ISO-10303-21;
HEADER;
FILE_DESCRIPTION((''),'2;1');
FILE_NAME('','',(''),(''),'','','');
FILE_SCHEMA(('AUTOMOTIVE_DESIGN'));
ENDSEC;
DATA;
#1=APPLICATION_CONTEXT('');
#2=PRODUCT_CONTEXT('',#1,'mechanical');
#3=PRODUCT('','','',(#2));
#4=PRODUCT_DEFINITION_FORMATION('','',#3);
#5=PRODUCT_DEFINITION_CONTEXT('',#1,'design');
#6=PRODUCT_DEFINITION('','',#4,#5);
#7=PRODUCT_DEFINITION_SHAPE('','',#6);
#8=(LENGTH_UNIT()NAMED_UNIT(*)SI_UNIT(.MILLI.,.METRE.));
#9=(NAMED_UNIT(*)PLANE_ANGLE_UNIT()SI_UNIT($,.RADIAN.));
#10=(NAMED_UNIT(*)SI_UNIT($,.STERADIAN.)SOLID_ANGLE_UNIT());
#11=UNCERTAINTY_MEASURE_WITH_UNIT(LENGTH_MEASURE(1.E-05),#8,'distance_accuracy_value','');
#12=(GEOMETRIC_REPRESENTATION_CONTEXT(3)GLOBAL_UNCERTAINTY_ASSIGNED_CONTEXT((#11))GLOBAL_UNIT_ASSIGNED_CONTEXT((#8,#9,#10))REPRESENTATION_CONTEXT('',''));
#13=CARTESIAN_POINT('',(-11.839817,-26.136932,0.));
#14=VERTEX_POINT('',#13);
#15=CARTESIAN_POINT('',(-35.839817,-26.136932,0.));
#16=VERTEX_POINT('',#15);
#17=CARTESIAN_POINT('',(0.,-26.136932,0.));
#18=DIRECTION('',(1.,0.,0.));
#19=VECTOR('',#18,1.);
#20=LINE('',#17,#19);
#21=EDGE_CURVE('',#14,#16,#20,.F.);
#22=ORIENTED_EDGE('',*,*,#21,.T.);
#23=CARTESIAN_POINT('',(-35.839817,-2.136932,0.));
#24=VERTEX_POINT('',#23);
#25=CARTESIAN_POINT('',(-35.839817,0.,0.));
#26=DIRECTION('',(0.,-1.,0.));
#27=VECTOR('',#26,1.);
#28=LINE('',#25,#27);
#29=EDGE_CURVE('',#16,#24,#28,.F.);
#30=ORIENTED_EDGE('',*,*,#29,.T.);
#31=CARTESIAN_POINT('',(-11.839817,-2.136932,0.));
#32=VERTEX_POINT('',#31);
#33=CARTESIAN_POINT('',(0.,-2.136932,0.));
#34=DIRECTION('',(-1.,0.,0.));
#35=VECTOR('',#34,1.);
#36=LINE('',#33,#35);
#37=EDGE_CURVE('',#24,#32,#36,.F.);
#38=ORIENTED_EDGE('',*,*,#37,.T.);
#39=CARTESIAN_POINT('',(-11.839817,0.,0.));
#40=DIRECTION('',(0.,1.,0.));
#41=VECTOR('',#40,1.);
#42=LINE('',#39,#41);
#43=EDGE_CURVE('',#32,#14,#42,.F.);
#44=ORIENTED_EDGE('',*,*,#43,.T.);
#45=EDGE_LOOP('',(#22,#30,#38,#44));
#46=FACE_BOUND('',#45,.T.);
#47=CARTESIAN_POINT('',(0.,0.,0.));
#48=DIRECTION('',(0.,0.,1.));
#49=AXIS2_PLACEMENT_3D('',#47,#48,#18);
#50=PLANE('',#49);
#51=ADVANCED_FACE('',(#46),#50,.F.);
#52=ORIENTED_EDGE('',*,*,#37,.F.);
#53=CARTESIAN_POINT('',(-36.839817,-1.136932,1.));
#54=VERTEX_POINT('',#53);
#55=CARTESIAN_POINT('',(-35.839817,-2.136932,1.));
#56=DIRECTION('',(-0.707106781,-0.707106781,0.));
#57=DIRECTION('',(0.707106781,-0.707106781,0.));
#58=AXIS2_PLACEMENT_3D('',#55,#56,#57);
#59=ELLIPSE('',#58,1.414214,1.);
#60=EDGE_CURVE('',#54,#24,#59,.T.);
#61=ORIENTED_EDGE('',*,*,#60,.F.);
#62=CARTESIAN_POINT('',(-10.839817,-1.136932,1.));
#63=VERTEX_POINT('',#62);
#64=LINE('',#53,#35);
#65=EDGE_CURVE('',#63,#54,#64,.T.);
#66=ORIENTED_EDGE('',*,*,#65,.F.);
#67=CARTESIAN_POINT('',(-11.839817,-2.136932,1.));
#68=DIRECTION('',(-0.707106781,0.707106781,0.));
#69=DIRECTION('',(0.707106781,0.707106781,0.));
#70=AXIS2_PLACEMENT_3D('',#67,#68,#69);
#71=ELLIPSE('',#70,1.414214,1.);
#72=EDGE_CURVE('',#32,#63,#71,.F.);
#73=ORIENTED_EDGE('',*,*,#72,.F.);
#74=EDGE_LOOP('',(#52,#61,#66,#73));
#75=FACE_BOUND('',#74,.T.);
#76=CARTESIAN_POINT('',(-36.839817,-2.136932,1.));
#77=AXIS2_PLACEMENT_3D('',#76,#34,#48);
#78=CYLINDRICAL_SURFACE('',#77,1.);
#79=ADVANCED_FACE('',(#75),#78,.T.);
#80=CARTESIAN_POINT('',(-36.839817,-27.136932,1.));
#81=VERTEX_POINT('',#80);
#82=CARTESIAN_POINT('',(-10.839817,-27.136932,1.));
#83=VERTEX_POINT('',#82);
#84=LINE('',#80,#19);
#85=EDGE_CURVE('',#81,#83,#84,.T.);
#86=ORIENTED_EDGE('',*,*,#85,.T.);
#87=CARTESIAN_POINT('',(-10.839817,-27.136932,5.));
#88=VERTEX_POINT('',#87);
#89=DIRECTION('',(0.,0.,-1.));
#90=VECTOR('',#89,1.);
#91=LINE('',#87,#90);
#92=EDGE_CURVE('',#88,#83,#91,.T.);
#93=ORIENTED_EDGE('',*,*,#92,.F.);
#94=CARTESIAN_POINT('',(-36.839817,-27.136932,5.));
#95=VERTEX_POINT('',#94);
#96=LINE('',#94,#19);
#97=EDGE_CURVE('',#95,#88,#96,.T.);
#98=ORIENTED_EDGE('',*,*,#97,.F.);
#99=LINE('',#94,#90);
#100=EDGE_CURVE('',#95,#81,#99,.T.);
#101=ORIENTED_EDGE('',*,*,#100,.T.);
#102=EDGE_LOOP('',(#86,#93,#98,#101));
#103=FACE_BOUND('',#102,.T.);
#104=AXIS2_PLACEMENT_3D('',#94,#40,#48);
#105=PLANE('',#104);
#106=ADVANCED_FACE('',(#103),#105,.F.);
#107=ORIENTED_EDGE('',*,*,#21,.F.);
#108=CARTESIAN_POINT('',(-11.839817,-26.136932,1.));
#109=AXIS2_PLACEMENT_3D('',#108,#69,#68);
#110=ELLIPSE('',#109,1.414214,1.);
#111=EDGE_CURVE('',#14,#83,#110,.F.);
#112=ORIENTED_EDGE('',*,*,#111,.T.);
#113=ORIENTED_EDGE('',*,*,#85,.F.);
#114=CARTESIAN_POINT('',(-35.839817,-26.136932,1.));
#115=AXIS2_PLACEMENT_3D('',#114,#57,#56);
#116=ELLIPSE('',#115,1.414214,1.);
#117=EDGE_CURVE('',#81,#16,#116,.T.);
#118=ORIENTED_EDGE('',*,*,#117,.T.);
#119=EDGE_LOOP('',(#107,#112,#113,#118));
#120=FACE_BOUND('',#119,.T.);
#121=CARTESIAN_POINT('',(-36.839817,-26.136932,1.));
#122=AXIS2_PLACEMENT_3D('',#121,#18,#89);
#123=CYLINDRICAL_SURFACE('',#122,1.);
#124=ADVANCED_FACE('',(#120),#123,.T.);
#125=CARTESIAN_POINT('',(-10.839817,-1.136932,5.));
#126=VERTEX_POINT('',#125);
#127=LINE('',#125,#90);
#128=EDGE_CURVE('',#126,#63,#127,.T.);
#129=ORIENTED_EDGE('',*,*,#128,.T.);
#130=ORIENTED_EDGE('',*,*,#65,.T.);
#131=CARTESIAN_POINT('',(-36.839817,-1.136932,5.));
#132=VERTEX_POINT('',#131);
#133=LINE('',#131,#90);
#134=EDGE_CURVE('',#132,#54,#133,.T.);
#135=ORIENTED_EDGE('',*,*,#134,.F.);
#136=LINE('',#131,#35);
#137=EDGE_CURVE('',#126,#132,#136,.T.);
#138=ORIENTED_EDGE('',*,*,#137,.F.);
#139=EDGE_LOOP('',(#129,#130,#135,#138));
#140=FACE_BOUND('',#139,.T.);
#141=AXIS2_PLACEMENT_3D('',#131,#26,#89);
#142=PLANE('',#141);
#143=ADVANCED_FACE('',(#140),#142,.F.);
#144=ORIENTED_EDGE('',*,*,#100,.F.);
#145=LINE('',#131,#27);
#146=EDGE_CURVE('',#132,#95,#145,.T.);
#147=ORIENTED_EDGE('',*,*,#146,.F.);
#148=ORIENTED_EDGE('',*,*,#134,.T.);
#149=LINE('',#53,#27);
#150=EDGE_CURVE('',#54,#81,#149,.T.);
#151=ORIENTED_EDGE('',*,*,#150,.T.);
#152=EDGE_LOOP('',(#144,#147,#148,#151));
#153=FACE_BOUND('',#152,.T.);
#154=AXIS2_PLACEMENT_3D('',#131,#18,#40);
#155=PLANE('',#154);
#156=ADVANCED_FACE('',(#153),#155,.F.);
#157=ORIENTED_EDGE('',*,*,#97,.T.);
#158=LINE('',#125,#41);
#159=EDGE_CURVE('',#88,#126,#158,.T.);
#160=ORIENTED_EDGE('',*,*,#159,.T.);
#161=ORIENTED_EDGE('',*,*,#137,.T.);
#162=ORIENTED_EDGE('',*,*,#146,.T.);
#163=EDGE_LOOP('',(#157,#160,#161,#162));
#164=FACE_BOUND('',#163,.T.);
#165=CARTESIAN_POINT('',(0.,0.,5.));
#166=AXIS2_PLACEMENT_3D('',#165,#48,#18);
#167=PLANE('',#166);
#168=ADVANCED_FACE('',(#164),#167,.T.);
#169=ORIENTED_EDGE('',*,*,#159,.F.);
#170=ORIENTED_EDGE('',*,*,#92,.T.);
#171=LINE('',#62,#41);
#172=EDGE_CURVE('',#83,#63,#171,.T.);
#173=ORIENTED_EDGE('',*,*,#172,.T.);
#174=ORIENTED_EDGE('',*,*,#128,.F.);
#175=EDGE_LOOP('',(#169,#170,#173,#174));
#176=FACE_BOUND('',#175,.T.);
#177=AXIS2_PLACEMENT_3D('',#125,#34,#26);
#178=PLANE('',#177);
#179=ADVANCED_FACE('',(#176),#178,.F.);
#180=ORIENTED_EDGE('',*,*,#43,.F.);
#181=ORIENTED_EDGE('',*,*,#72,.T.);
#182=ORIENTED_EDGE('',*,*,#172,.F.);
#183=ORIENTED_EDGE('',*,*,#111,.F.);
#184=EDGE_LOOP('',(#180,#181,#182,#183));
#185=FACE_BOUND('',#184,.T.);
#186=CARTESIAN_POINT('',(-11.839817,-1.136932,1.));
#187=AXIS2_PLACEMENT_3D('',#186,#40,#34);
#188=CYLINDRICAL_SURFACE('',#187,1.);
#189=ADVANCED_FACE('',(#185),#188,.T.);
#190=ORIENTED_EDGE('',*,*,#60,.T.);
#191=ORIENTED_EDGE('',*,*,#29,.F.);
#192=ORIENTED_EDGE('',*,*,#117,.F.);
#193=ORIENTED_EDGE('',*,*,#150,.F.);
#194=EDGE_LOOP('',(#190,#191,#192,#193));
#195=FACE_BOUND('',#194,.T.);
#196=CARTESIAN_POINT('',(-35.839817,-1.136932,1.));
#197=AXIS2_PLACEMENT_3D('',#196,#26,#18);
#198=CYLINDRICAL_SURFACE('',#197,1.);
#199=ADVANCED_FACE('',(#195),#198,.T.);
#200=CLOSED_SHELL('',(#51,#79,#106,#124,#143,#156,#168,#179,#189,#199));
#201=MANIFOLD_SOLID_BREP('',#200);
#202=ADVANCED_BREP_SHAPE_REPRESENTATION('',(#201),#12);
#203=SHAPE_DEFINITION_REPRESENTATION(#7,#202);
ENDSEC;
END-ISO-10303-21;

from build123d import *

# Parameters (mm, degrees)
ESBO_O1_W                = 26
ESBO_O1_H                = 26
RESSALTO_EXTRUS_O1_DEPTH = 5
FILETE1_R                = 1


with BuildPart() as part:
    # Esboço1 → Ressalto-extrusão1 (new body)
    with BuildSketch(Plane.XY):
        with Locations((-23.839817203, -14.136932447)):
            Rectangle(ESBO_O1_W, ESBO_O1_H)
    extrude(amount=RESSALTO_EXTRUS_O1_DEPTH)

    # Filete1
    filete1_edges = [part.edges().sort_by_distance(p)[0] for p in [
        (-23.839817203, -1.136932447, 0),
        (-10.839817203, -14.136932447, 0),
        (-23.839817203, -27.136932447, 0),
        (-36.839817203, -14.136932447, 0),
    ]]
    fillet(filete1_edges, radius=FILETE1_R)


solid = part.part
